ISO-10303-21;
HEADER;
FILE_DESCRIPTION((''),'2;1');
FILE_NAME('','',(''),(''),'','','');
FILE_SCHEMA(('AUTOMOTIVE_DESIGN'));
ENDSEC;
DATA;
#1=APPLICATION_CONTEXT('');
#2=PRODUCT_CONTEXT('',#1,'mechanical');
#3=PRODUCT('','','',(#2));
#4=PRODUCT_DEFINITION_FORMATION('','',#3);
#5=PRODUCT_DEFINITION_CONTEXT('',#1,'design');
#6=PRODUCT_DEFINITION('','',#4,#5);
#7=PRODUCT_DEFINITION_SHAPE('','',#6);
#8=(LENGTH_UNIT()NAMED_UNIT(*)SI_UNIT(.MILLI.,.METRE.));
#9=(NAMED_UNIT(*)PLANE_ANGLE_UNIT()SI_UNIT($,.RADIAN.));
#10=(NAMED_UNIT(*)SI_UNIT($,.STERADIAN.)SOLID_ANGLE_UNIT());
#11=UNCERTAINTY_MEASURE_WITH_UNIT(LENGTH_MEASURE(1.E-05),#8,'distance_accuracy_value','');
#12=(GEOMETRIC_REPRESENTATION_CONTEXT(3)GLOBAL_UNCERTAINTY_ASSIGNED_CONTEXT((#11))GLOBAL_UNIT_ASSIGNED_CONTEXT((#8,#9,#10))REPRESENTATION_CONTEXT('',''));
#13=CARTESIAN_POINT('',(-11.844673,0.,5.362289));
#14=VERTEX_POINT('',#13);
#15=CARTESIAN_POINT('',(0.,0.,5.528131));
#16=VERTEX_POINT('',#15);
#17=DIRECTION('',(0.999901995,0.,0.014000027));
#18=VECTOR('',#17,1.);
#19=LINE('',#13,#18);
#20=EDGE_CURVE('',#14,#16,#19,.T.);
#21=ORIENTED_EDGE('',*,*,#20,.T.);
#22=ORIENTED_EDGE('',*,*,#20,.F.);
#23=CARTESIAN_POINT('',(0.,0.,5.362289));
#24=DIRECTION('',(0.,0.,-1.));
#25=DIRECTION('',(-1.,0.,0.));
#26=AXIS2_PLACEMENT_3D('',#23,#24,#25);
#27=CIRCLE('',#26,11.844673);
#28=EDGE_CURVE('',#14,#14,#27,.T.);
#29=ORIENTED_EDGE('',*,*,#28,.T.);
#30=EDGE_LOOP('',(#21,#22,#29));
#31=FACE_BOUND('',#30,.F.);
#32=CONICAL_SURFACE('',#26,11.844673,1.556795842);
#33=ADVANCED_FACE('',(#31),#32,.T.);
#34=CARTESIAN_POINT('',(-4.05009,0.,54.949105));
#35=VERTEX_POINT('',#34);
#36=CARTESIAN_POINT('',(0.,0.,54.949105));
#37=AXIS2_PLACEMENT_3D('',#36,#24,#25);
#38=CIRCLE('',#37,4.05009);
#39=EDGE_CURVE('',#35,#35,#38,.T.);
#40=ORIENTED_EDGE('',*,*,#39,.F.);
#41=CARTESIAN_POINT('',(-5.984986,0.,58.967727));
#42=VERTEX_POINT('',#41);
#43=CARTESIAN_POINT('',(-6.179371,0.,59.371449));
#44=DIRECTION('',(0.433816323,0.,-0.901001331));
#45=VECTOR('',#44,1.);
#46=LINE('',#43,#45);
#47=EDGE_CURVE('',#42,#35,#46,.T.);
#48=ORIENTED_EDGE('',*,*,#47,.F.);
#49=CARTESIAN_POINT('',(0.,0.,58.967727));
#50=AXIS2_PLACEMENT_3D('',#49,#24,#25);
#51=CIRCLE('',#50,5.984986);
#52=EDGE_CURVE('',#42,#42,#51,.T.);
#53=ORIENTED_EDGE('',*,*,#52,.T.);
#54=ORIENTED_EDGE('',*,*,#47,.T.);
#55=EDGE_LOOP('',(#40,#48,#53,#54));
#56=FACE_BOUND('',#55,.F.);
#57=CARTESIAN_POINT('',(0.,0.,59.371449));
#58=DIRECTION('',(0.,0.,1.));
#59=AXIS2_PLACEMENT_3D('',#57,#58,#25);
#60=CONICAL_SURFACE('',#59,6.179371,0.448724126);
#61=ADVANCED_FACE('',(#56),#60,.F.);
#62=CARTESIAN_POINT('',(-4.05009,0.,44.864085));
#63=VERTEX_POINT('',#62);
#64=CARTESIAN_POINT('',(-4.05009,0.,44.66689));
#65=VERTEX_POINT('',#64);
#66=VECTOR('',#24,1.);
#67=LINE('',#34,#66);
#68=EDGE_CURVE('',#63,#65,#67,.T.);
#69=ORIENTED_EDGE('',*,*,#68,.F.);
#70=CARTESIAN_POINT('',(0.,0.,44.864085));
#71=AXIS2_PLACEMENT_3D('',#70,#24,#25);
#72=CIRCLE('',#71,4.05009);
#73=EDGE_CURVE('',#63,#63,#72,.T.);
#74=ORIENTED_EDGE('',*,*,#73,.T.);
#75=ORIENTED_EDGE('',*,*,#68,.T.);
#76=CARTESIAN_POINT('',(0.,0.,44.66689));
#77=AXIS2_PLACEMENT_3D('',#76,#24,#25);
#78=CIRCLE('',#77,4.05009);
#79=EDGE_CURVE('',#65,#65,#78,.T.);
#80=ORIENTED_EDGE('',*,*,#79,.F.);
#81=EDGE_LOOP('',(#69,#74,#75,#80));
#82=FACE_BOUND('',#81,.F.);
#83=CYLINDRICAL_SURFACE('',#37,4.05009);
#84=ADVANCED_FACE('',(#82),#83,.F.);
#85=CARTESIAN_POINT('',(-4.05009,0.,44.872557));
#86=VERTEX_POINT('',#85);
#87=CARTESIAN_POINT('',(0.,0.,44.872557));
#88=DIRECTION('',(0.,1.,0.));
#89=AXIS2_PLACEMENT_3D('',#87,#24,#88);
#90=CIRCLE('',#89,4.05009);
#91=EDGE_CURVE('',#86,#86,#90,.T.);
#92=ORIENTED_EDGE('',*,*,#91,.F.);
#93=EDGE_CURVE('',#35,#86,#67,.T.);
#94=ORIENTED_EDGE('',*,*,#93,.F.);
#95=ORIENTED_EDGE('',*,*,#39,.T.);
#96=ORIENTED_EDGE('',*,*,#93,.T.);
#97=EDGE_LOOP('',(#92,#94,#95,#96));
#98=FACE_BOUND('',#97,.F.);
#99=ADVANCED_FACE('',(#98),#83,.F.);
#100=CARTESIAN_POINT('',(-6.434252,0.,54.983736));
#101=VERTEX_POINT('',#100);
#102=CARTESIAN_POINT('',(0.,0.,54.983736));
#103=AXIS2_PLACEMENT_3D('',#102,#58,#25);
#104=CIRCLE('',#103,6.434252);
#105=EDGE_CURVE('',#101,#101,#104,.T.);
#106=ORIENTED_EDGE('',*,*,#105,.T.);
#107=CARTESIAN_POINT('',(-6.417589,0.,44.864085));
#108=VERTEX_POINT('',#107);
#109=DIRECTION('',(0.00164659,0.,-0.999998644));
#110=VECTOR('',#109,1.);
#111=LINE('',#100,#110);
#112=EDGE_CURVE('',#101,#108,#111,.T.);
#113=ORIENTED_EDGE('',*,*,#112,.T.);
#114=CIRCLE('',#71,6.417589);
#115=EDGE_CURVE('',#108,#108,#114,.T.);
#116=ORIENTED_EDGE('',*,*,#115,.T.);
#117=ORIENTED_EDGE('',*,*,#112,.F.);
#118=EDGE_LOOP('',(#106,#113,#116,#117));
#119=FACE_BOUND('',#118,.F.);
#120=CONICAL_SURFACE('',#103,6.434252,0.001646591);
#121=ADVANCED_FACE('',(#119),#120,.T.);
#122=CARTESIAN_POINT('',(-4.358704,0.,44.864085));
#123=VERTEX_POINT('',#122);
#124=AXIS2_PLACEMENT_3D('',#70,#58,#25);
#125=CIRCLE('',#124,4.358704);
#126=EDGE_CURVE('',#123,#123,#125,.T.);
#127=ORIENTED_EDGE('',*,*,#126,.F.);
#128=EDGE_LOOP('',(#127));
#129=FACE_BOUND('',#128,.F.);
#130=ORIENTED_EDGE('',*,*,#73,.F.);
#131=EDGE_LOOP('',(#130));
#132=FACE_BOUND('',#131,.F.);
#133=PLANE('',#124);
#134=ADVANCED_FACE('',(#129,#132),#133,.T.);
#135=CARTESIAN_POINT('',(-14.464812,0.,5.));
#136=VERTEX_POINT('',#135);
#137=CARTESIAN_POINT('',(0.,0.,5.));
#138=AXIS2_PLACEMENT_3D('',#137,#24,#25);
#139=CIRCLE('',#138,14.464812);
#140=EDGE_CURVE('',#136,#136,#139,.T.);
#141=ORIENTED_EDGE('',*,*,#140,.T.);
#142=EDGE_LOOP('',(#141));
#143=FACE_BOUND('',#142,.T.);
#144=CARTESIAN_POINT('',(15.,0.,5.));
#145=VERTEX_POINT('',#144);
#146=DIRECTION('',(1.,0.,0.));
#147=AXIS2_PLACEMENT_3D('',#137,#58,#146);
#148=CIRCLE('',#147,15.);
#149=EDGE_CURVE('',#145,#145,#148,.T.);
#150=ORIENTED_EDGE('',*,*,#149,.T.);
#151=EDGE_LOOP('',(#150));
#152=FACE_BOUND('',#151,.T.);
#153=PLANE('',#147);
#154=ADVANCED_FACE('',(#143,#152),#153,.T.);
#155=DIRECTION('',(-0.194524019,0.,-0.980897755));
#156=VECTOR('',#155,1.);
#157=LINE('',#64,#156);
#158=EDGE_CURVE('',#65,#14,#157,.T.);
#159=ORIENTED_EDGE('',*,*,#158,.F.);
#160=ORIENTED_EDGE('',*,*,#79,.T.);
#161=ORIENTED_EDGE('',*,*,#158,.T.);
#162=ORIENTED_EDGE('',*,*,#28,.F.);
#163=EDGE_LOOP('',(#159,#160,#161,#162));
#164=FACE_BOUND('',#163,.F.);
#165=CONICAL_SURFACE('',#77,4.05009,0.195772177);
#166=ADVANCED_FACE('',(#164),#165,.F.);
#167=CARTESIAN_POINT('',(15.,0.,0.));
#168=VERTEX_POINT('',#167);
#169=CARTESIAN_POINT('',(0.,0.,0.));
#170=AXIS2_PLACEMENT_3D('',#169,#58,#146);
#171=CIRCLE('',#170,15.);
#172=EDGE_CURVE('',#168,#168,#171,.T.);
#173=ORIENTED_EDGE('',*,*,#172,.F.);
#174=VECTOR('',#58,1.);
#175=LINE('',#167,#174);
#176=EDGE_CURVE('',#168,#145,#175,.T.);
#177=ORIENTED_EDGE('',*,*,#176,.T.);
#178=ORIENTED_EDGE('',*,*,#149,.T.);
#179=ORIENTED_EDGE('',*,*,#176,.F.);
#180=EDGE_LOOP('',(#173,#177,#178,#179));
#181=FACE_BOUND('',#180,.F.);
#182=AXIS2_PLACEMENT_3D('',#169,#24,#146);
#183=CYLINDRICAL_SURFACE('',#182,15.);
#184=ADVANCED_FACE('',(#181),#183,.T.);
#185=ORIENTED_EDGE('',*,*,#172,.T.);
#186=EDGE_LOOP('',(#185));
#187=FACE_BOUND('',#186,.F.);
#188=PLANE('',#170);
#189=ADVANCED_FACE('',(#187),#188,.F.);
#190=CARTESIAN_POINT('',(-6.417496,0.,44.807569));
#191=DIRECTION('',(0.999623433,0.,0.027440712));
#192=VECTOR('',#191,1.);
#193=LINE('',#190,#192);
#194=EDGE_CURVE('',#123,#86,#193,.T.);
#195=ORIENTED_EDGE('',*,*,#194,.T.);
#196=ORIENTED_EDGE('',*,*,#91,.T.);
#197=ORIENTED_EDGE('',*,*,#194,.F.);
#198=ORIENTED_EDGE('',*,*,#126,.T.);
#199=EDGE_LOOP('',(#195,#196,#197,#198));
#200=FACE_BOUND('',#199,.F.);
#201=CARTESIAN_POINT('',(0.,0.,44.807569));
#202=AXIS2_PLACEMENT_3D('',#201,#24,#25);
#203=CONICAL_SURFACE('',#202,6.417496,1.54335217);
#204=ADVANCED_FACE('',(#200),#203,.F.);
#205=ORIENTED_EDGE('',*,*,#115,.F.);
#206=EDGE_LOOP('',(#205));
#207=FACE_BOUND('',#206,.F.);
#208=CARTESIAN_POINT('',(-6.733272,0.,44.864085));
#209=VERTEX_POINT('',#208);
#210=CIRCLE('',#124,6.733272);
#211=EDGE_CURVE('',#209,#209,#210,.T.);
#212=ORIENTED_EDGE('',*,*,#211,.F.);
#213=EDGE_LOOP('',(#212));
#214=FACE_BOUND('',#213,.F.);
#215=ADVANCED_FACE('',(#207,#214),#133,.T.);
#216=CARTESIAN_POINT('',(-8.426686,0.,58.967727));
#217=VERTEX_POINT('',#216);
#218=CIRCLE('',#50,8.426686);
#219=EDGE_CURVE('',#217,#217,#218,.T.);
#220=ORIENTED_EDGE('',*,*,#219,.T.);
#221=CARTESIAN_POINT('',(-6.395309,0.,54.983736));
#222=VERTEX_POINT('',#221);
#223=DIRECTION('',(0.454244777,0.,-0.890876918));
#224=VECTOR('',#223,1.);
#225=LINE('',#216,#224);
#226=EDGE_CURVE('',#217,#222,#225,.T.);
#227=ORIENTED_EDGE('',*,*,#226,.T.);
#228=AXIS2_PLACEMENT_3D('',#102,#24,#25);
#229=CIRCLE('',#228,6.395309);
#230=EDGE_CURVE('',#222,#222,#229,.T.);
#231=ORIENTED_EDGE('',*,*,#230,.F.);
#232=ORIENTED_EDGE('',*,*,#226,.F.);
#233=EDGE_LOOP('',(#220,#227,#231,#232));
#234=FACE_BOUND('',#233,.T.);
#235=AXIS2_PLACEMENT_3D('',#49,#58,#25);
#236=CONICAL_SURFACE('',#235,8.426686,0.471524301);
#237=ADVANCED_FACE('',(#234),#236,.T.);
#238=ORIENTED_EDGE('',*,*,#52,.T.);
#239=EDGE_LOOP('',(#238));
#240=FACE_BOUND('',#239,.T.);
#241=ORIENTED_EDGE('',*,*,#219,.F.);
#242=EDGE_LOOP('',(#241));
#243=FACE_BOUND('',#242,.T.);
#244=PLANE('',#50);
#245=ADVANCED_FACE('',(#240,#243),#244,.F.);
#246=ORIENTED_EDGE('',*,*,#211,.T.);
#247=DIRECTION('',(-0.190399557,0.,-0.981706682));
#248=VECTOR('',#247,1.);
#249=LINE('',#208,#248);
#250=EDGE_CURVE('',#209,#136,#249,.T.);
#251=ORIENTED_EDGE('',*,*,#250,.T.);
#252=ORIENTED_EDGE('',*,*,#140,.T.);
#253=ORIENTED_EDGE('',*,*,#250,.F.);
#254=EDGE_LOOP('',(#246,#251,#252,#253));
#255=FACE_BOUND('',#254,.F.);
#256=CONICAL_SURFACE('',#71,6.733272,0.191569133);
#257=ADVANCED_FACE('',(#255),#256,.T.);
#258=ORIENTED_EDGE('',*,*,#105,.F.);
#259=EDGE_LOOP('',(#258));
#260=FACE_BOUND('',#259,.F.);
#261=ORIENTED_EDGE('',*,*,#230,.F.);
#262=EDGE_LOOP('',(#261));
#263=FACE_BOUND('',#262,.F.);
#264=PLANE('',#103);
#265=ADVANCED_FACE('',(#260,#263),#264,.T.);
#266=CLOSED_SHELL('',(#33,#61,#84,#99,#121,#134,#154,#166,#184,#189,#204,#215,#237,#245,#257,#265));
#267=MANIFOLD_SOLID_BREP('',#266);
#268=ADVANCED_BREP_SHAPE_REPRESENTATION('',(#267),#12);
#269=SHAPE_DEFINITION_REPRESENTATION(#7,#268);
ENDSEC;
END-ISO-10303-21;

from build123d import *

# Parameters (mm, degrees)
F0_R     = 15
F1_DEPTH = 5


with BuildPart() as f1:
    # F0 (on Top) → F1 (new body)
    with BuildSketch(Plane.XY):
        Circle(F0_R)
    extrude(amount=F1_DEPTH)

    # F2 (on Front) → F3 (revolve)
    with BuildSketch(Plane.XZ):
        Polygon((-14.491172, 4.864085), (0, 4.864085), (0, 44.864085), (-6.733272, 44.864085), align=None)
    revolve(axis=Axis((0, 0, 24.864085), (0, 0, 1)))

    # F4 (on Front) → F5 (revolve)
    with BuildSketch(Plane.XZ):
        Polygon((-6.417496, 44.807569), (0, 44.983736), (0, 54.983736), (-6.434252, 54.983736), align=None)
    revolve(axis=Axis((0, 0, 49.983736), (0, 0, 1)))

    # F6 (on Front) → F7 (revolve)
    with BuildSketch(Plane.XZ):
        Polygon((-8.426686, 58.967727), (-6.387146, 54.967727), (0, 54.967727), (0, 58.967727), align=None)
    revolve(axis=Axis((0, 0, 56.967727), (0, 0, -1)))

    # F8 (on Front) → F9 (revolve, cut)
    with BuildSketch(Plane.XZ):
        Polygon((-4.05009, 44.66689), (-11.844673, 5.362289), (0, 5.528131), (0, 59.371449), (-6.179371, 59.371449), (-4.05009, 54.949105), align=None)
    revolve(axis=Axis((0, 0, 32.44979), (0, 0, -1)), mode=Mode.SUBTRACT)


solid = f1.part
